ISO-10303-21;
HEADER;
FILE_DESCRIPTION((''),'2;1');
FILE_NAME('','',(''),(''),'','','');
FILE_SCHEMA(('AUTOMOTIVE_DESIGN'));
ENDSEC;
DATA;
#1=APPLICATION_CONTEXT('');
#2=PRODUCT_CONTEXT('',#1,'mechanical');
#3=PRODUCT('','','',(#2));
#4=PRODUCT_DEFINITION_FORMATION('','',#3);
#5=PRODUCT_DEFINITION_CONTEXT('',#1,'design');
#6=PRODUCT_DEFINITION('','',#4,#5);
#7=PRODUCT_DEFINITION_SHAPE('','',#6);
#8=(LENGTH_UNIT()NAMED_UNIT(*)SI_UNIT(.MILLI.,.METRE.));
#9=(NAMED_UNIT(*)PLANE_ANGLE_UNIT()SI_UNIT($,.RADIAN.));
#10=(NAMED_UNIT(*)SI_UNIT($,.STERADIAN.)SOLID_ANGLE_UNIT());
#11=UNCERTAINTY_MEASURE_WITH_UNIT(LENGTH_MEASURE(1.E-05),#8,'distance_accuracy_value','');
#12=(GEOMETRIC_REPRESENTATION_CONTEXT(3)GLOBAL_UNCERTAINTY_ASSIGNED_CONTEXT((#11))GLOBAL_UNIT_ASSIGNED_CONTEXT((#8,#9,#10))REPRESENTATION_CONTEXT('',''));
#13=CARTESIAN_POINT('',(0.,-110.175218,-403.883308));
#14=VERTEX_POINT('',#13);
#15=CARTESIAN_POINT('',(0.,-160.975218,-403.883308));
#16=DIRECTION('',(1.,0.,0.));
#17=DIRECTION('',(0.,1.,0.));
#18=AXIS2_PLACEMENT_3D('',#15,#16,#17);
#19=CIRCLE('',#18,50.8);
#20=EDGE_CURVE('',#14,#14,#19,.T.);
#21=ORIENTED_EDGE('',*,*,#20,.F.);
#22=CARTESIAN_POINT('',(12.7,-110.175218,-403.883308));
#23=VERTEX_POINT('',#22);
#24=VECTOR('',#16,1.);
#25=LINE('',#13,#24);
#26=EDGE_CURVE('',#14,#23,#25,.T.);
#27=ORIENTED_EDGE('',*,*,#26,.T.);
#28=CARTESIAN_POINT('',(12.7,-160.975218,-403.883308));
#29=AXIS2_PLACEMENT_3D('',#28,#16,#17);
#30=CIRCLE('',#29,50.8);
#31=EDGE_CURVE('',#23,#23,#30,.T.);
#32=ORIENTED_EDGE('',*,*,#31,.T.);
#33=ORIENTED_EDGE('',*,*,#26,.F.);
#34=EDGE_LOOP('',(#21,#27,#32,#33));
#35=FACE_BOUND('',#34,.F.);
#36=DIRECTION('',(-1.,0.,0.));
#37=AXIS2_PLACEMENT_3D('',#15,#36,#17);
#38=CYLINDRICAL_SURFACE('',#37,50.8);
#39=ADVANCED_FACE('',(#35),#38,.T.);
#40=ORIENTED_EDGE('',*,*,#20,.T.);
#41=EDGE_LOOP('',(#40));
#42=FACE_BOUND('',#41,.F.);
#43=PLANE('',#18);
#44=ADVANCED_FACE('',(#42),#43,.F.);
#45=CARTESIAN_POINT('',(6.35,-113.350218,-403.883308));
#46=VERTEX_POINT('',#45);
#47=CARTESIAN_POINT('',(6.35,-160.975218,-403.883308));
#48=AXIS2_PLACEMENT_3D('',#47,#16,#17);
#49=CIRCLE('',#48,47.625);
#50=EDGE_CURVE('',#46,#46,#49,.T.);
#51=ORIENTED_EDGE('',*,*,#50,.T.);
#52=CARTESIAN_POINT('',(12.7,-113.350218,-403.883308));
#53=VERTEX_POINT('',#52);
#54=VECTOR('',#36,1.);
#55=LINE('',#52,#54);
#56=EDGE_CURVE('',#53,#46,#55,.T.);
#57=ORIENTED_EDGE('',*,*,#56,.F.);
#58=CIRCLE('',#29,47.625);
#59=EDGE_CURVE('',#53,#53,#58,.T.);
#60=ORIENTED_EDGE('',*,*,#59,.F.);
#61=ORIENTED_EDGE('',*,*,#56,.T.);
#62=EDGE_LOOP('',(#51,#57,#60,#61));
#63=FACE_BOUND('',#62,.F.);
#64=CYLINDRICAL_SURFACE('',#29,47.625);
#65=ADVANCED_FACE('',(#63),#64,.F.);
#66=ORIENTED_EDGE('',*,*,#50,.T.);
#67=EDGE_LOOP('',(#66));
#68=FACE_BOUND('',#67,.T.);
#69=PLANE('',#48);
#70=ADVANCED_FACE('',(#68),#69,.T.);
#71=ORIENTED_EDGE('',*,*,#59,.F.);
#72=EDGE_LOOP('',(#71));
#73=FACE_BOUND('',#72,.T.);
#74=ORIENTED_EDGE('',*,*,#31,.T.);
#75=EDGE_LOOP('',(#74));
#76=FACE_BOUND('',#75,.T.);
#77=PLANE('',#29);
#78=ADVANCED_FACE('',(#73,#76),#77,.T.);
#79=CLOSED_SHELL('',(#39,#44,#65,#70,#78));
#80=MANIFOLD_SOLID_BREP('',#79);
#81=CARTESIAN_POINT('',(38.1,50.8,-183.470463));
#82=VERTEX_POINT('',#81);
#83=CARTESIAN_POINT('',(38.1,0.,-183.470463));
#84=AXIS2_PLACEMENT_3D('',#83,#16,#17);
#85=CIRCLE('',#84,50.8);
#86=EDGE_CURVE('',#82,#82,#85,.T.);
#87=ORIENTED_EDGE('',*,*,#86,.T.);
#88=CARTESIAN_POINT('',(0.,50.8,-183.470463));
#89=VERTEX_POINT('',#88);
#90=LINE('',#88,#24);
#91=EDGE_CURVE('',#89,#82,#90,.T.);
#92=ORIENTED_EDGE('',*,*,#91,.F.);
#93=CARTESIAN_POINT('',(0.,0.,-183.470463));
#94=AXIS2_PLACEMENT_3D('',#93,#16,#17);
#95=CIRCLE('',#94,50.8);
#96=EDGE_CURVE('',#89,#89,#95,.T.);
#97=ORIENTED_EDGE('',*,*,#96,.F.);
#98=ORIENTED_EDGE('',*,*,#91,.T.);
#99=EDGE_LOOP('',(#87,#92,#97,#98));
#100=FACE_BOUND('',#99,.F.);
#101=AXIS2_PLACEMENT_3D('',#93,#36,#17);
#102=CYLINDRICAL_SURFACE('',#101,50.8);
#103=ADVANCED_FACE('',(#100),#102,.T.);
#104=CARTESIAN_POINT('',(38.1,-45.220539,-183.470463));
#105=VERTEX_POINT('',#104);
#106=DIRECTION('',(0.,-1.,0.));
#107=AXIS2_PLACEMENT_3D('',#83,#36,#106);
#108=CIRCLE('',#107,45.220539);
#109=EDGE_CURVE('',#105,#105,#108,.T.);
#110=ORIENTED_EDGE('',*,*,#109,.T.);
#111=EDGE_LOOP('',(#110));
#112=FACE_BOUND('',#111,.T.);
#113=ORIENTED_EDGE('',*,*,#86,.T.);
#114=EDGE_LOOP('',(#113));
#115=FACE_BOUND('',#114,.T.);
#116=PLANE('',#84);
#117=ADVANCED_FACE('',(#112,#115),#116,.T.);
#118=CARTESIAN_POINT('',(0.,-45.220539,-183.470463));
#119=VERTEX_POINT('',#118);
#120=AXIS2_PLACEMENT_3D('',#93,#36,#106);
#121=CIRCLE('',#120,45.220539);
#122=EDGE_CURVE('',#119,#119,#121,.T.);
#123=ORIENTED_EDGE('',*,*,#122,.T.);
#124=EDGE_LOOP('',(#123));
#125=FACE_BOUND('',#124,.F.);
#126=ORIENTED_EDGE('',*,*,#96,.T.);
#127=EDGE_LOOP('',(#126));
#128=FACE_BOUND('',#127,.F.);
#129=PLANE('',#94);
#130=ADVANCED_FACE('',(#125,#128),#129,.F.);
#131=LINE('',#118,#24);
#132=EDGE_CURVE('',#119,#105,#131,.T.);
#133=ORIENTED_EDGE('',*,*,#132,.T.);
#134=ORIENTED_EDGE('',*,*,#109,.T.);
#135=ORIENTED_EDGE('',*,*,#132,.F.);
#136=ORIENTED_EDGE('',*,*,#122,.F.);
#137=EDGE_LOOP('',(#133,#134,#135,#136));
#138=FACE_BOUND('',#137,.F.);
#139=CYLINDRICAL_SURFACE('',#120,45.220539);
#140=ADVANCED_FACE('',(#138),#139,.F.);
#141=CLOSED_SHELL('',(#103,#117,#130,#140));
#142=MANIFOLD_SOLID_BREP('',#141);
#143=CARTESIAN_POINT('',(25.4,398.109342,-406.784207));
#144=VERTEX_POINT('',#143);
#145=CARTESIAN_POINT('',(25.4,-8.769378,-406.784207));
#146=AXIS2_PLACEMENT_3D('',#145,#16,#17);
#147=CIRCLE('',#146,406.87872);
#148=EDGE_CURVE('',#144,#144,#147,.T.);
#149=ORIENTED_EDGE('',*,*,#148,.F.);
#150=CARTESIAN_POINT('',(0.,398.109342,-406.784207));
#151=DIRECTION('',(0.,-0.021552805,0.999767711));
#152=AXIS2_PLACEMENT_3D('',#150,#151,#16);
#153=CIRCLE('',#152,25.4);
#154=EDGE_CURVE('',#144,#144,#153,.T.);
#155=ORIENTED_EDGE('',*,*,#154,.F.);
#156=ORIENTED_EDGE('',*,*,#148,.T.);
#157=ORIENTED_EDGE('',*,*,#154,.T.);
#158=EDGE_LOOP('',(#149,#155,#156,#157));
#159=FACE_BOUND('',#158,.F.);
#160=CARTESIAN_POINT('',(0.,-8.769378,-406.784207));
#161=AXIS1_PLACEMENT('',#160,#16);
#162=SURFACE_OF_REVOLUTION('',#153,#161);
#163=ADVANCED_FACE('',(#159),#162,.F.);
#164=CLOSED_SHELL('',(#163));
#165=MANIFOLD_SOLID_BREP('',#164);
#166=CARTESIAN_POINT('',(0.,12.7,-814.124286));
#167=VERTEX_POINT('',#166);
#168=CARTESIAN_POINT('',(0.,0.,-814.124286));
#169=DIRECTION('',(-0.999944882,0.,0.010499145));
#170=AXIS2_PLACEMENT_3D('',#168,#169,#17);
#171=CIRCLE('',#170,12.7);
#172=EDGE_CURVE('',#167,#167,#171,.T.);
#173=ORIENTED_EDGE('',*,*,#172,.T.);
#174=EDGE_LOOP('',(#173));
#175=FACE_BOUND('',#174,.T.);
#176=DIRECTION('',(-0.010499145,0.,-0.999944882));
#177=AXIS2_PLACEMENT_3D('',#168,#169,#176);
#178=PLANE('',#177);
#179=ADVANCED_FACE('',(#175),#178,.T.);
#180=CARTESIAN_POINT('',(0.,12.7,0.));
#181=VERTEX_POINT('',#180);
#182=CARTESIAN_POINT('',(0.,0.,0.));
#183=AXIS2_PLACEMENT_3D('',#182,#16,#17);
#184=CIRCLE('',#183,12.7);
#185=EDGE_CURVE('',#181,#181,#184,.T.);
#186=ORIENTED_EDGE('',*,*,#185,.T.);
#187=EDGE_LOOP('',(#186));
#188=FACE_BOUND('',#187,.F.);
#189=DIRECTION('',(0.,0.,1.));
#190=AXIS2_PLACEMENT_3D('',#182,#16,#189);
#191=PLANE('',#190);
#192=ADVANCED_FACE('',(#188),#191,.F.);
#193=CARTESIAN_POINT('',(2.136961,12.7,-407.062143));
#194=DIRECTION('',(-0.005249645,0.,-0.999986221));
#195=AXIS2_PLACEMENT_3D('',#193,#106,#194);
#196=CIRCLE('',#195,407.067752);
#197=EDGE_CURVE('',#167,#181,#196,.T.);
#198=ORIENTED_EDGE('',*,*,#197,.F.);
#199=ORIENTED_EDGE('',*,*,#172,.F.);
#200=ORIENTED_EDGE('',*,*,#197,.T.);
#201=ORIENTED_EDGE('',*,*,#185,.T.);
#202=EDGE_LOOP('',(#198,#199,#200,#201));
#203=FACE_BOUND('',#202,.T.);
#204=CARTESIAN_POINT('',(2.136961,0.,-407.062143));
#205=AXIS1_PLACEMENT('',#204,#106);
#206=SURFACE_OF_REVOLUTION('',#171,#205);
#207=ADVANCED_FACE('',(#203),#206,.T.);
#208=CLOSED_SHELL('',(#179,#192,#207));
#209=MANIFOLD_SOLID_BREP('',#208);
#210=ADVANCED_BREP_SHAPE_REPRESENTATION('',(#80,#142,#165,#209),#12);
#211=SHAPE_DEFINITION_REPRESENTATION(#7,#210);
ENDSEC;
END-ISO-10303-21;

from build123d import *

# Parameters (mm, degrees)
F0_R      = 25.4
F3_R      = 12.7
F6_R      = 50.8
F7_DEPTH  = 38.1
F8_R      = 45.2205386418
F9_DEPTH  = 50.8
F10_R     = 50.8
F11_DEPTH = 12.7
F12_R     = 47.625
F13_DEPTH = 6.35


with BuildPart() as f2:
    # F2: sweep along a path in F1
    with BuildLine(Plane.YZ) as f2_path:
        CenterArc((-8.7693777958, -406.7842066288), 406.8787199517, 0, 360)
    # F0 (on Front) → F2 (sweep)
    with BuildSketch(Plane.XZ):
        Circle(F0_R)
    sweep(path=f2_path.line)


with BuildPart() as f5:
    # F5: sweep along a path in F4
    with BuildLine(Plane.XZ) as f5_path:
        ThreePointArc((0, -814.1242861748), (409.2047133916, -407.0621430874), (0, 0))
    # F3 (on Right) → F5 (sweep)
    with BuildSketch(Plane.YZ):
        Circle(F3_R)
    sweep(path=f5_path.line)


with BuildPart() as f7:
    # F6 (on Right) → F7 (new body)
    with BuildSketch(Plane.YZ):
        with Locations((0, -183.4704634827)):
            Circle(F6_R)
    extrude(amount=F7_DEPTH)

    # F8 (on face) → F9 (cut)
    with BuildSketch(Plane(origin=(0, 0, 0), x_dir=(0, -1, 0), z_dir=(-1, 0, 0))):
        with Locations((0, -183.4704634827)):
            Circle(F8_R)
    extrude(amount=-F9_DEPTH, mode=Mode.SUBTRACT)


with BuildPart() as f11:
    # F10 (on Right) → F11 (new body)
    with BuildSketch(Plane.YZ):
        with Locations((-160.9752178192, -403.8833081722)):
            Circle(F10_R)
    extrude(amount=F11_DEPTH)

    # F12 (on face) → F13 (cut)
    with BuildSketch(Plane.YZ.offset(12.7)):
        with Locations((-160.9752178192, -403.8833081722)):
            Circle(F12_R)
    extrude(amount=-F13_DEPTH, mode=Mode.SUBTRACT)


solid = Compound([f2.part, f5.part, f7.part, f11.part])
